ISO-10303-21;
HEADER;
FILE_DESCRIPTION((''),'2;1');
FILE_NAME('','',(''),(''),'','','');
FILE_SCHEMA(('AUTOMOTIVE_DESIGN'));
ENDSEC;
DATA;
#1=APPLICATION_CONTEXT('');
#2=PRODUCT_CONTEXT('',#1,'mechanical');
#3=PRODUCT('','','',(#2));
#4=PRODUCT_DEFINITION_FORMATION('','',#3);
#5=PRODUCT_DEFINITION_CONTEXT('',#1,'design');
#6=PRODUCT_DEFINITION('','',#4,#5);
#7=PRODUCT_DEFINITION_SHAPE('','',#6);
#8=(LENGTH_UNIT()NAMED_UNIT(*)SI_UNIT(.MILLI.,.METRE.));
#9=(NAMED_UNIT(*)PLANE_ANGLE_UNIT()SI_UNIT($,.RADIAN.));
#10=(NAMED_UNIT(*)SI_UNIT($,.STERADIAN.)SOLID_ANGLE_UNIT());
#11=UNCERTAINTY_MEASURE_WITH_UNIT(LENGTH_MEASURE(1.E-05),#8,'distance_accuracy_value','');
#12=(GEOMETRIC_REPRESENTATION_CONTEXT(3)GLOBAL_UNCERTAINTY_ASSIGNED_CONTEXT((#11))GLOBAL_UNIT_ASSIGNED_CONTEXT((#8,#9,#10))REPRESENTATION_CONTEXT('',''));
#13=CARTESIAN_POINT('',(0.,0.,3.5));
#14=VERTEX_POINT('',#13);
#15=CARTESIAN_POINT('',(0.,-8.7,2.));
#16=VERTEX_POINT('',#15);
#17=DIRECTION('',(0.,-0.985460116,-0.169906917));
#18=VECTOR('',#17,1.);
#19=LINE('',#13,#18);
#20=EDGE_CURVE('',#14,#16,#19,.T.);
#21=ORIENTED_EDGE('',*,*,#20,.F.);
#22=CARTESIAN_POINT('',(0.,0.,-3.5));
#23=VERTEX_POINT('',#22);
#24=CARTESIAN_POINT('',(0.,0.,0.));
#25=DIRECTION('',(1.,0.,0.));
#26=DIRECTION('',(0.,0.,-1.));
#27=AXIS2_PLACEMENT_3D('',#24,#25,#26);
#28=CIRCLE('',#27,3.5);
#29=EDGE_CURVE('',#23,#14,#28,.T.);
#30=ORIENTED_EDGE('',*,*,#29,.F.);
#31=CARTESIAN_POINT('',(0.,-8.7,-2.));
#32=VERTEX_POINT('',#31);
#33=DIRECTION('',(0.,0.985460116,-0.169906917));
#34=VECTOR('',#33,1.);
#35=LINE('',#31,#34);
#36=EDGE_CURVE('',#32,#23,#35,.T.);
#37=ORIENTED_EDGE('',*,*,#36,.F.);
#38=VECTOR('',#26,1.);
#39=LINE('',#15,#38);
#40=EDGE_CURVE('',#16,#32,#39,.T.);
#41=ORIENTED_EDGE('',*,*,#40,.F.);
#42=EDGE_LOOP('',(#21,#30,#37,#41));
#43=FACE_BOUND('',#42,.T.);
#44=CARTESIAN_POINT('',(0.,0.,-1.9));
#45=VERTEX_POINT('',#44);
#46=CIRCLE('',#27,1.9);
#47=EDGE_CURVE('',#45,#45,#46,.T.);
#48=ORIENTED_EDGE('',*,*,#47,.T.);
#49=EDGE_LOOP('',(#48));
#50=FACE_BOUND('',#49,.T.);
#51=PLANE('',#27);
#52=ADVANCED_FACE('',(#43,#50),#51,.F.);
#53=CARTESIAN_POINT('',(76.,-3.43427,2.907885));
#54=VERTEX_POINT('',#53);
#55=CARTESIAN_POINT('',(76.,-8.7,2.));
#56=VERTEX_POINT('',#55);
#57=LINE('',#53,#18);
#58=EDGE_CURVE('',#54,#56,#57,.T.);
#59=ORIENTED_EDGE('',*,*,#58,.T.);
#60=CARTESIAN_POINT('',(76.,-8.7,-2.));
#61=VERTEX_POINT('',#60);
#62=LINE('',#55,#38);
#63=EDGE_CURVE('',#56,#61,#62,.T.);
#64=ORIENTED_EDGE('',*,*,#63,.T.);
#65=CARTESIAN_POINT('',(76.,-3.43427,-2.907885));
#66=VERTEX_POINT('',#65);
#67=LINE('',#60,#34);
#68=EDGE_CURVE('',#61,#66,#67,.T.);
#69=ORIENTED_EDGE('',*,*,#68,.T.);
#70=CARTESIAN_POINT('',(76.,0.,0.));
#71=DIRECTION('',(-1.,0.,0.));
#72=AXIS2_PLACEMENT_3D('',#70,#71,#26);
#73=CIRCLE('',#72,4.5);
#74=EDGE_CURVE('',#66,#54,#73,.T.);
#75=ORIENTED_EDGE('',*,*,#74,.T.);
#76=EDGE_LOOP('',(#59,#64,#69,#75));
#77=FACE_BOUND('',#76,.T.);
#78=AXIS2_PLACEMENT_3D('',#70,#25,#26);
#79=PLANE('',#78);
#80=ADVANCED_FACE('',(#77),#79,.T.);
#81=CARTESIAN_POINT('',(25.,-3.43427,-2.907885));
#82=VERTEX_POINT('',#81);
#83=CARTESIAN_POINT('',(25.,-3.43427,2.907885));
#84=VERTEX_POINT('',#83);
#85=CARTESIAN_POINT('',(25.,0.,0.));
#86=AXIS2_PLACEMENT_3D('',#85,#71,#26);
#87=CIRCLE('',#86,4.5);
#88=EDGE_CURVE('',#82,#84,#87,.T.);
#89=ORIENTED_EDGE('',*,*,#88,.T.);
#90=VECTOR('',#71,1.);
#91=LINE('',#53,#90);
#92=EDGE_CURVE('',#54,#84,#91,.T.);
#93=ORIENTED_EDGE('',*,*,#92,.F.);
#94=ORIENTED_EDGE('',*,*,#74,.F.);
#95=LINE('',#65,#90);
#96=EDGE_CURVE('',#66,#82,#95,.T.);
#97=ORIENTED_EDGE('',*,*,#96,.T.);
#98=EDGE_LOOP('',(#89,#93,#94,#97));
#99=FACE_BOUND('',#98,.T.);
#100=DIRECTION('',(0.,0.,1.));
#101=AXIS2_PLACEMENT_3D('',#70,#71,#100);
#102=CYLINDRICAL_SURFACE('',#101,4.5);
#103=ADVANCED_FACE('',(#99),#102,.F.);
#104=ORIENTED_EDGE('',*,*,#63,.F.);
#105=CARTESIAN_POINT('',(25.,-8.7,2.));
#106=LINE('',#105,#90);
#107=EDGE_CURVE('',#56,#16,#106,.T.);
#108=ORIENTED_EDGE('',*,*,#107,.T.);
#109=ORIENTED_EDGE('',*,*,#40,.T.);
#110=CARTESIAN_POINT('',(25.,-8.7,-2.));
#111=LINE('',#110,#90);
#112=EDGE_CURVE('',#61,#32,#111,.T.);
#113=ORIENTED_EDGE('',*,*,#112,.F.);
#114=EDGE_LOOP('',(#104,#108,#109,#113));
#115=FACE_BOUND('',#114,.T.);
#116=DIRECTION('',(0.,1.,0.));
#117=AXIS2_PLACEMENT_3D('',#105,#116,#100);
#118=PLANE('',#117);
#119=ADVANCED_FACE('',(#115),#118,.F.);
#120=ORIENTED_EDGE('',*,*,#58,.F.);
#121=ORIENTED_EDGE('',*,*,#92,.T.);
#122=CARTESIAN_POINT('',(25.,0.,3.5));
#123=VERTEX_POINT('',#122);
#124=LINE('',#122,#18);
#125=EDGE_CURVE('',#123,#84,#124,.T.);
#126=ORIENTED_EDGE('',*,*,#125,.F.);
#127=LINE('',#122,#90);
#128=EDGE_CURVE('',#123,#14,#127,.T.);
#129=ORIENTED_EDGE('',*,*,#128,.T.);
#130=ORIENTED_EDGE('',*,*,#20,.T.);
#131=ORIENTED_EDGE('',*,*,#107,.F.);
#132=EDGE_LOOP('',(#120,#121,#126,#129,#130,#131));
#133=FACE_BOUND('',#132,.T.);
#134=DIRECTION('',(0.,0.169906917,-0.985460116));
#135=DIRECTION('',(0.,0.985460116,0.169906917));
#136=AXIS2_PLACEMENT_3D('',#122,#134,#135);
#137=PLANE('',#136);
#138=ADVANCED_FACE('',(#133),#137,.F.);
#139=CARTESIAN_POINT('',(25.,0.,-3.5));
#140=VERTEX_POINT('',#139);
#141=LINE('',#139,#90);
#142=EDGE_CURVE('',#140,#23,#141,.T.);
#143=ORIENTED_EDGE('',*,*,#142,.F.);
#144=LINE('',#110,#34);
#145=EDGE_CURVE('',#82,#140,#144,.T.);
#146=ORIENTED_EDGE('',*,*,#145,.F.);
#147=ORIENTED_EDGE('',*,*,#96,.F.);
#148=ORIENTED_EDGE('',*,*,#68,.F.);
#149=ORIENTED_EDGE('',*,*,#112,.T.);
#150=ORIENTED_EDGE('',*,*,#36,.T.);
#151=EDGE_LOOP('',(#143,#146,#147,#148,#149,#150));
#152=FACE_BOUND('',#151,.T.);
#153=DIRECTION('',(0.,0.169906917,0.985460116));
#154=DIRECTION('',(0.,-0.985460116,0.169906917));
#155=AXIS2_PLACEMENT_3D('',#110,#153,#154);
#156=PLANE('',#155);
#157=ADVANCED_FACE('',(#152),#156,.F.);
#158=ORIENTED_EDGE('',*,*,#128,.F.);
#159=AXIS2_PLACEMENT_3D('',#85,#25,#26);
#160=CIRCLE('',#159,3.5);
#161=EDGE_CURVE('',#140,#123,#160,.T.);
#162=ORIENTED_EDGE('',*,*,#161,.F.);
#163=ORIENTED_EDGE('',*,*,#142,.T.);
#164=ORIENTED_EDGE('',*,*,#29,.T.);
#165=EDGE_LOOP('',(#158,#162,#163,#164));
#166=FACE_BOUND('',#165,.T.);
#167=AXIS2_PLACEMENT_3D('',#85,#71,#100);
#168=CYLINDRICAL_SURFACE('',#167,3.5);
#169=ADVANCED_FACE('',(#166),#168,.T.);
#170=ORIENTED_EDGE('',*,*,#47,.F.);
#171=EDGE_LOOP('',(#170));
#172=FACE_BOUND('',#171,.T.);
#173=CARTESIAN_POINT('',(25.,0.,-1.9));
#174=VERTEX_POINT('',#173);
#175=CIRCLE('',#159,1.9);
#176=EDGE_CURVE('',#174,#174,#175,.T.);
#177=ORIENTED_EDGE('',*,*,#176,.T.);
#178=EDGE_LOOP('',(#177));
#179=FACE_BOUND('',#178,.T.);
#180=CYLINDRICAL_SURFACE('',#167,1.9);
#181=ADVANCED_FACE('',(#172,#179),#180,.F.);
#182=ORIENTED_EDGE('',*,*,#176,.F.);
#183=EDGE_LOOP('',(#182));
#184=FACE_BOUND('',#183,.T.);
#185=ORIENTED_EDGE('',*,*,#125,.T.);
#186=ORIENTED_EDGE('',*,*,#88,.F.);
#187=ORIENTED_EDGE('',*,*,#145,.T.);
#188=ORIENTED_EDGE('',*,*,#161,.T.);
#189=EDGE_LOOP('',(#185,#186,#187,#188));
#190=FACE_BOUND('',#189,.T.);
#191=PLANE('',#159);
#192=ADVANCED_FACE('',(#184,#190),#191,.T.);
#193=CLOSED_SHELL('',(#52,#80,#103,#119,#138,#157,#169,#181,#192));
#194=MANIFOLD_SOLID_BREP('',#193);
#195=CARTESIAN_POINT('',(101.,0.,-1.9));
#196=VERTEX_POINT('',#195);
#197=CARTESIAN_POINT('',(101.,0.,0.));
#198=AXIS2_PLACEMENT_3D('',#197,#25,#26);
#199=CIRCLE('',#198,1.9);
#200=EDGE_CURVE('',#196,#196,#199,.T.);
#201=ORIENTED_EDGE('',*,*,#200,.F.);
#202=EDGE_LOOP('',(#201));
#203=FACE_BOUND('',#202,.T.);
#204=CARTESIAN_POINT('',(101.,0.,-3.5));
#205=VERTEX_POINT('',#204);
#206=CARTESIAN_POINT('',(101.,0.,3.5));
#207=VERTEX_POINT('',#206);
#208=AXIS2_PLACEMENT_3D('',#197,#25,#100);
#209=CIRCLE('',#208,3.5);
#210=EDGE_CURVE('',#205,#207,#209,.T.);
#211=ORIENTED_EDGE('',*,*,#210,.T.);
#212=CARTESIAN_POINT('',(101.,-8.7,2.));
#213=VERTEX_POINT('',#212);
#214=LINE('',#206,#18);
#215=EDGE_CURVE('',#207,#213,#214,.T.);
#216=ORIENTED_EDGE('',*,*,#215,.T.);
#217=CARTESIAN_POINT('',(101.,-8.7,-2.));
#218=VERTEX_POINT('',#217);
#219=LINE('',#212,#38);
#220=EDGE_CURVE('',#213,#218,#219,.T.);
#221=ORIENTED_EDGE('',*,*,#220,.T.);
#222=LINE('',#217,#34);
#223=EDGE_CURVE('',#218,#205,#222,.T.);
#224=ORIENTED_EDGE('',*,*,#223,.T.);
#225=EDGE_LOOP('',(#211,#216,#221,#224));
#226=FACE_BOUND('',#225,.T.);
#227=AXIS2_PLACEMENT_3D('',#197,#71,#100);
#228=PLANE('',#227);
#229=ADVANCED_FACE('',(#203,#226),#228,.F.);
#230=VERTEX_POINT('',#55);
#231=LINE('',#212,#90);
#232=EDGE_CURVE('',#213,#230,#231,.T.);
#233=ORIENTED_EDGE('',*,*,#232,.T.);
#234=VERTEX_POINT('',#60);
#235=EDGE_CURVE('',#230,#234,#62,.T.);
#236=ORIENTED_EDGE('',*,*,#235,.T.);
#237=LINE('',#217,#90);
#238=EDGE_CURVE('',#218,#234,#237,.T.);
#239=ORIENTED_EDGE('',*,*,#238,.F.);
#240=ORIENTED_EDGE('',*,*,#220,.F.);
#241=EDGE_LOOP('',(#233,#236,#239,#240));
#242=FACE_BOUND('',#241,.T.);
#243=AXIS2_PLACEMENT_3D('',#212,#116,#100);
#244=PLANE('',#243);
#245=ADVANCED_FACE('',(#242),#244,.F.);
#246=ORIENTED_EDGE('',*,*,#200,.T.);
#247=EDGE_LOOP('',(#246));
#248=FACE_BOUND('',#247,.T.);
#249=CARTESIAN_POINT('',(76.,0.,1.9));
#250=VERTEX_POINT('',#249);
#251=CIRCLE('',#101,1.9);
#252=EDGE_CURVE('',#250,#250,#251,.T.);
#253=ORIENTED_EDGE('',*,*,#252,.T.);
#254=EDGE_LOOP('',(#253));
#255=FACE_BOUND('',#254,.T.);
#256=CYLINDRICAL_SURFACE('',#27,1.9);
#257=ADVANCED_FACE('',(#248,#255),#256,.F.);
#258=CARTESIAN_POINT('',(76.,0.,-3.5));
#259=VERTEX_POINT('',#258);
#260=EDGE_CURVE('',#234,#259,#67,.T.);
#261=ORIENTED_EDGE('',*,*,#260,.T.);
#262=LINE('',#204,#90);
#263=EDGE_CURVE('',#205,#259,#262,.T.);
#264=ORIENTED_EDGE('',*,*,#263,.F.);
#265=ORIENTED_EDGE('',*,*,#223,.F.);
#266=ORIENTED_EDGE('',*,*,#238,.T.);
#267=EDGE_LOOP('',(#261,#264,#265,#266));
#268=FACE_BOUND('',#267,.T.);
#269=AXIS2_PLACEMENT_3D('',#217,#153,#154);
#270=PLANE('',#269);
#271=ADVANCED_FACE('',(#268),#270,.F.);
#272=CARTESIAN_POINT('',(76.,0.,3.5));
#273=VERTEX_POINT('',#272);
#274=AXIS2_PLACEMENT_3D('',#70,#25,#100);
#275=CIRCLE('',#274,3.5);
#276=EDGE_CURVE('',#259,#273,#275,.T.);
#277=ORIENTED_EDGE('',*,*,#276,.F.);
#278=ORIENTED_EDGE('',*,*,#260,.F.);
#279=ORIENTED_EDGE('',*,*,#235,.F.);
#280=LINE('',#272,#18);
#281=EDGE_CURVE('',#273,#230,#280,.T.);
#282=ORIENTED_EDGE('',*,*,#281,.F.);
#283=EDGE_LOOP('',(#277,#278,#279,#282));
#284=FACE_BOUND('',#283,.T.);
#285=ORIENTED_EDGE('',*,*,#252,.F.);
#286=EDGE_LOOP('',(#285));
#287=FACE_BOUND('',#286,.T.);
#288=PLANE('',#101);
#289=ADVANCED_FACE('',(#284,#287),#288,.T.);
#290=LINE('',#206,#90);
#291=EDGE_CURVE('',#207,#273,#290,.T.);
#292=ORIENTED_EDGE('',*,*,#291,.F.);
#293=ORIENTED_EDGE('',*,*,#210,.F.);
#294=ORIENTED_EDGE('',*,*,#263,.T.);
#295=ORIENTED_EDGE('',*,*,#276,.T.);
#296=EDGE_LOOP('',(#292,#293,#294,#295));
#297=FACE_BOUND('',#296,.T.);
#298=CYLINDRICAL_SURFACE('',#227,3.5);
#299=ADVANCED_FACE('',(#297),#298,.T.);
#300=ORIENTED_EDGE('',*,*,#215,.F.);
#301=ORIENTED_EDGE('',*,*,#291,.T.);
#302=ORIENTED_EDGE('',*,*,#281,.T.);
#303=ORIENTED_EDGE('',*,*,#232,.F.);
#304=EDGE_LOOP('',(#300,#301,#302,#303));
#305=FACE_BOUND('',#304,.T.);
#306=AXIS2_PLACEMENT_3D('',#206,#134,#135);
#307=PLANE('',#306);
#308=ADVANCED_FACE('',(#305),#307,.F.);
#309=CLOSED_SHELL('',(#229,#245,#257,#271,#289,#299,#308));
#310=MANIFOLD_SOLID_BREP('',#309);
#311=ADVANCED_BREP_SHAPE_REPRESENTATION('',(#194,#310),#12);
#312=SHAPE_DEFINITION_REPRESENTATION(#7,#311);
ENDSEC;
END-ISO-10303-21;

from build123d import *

# Parameters (mm, degrees)
SKETCH1_R           = 1.9
BOSS_EXTRUDE1_DEPTH = 25
BOSS_EXTRUDE2_DEPTH = 51
SKETCH3_R           = 1.51
BOSS_EXTRUDE3_DEPTH = 25
SKETCH7_R           = 1.9
CUT_EXTRUDE4_DEPTH  = 102


with BuildPart() as part:
    # Sketch1 → Boss-Extrude1 (new body)
    with BuildSketch(Plane(origin=(0, 0, 0), x_dir=(0, 0, -1), z_dir=(1, 0, 0))):
        with BuildLine():
            Line((2, -8.7), (3.5, 0))
            ThreePointArc((3.5, 0), (0, 3.5), (-3.5, 0))
            Line((-3.5, 0), (-2, -8.7))
            Line((-2, -8.7), (2, -8.7))
        make_face()
        Circle(SKETCH1_R, mode=Mode.SUBTRACT)
    extrude(amount=BOSS_EXTRUDE1_DEPTH)

    # Sketch2 → Boss-Extrude2 (add)
    with BuildSketch(Plane(origin=(25, 0, 0), x_dir=(0, 0, -1), z_dir=(1, 0, 0))):
        with BuildLine():
            Line((-2, -8.7), (2, -8.7))
            Line((2, -8.7), (2.907884559, -3.434269557))
            ThreePointArc((2.907884559, -3.434269557), (0, -4.5), (-2.907884559, -3.434269557))
            Line((-2.907884559, -3.434269557), (-2, -8.7))
        make_face()
    extrude(amount=BOSS_EXTRUDE2_DEPTH)


with BuildPart() as body_2:
    # Sketch3 → Boss-Extrude3 (new body)
    with BuildSketch(Plane(origin=(76, 0, 0), x_dir=(0, 0, -1), z_dir=(1, 0, 0))):
        with BuildLine():
            Line((-3.5, 0), (-2, -8.7))
            Line((-2, -8.7), (2, -8.7))
            Line((2, -8.7), (3.5, 0))
            ThreePointArc((3.5, 0), (0, 3.5), (-3.5, 0))
        make_face()
        Circle(SKETCH3_R, mode=Mode.SUBTRACT)
    extrude(amount=BOSS_EXTRUDE3_DEPTH)

    # Sketch7 → Cut-Extrude4 (cut, through all)
    with BuildSketch(Plane(origin=(101, 0, 0), x_dir=(0, 0, -1), z_dir=(1, 0, 0))):
        Circle(SKETCH7_R)
    extrude(amount=-CUT_EXTRUDE4_DEPTH, mode=Mode.SUBTRACT)


solid = Compound([part.part, body_2.part])
